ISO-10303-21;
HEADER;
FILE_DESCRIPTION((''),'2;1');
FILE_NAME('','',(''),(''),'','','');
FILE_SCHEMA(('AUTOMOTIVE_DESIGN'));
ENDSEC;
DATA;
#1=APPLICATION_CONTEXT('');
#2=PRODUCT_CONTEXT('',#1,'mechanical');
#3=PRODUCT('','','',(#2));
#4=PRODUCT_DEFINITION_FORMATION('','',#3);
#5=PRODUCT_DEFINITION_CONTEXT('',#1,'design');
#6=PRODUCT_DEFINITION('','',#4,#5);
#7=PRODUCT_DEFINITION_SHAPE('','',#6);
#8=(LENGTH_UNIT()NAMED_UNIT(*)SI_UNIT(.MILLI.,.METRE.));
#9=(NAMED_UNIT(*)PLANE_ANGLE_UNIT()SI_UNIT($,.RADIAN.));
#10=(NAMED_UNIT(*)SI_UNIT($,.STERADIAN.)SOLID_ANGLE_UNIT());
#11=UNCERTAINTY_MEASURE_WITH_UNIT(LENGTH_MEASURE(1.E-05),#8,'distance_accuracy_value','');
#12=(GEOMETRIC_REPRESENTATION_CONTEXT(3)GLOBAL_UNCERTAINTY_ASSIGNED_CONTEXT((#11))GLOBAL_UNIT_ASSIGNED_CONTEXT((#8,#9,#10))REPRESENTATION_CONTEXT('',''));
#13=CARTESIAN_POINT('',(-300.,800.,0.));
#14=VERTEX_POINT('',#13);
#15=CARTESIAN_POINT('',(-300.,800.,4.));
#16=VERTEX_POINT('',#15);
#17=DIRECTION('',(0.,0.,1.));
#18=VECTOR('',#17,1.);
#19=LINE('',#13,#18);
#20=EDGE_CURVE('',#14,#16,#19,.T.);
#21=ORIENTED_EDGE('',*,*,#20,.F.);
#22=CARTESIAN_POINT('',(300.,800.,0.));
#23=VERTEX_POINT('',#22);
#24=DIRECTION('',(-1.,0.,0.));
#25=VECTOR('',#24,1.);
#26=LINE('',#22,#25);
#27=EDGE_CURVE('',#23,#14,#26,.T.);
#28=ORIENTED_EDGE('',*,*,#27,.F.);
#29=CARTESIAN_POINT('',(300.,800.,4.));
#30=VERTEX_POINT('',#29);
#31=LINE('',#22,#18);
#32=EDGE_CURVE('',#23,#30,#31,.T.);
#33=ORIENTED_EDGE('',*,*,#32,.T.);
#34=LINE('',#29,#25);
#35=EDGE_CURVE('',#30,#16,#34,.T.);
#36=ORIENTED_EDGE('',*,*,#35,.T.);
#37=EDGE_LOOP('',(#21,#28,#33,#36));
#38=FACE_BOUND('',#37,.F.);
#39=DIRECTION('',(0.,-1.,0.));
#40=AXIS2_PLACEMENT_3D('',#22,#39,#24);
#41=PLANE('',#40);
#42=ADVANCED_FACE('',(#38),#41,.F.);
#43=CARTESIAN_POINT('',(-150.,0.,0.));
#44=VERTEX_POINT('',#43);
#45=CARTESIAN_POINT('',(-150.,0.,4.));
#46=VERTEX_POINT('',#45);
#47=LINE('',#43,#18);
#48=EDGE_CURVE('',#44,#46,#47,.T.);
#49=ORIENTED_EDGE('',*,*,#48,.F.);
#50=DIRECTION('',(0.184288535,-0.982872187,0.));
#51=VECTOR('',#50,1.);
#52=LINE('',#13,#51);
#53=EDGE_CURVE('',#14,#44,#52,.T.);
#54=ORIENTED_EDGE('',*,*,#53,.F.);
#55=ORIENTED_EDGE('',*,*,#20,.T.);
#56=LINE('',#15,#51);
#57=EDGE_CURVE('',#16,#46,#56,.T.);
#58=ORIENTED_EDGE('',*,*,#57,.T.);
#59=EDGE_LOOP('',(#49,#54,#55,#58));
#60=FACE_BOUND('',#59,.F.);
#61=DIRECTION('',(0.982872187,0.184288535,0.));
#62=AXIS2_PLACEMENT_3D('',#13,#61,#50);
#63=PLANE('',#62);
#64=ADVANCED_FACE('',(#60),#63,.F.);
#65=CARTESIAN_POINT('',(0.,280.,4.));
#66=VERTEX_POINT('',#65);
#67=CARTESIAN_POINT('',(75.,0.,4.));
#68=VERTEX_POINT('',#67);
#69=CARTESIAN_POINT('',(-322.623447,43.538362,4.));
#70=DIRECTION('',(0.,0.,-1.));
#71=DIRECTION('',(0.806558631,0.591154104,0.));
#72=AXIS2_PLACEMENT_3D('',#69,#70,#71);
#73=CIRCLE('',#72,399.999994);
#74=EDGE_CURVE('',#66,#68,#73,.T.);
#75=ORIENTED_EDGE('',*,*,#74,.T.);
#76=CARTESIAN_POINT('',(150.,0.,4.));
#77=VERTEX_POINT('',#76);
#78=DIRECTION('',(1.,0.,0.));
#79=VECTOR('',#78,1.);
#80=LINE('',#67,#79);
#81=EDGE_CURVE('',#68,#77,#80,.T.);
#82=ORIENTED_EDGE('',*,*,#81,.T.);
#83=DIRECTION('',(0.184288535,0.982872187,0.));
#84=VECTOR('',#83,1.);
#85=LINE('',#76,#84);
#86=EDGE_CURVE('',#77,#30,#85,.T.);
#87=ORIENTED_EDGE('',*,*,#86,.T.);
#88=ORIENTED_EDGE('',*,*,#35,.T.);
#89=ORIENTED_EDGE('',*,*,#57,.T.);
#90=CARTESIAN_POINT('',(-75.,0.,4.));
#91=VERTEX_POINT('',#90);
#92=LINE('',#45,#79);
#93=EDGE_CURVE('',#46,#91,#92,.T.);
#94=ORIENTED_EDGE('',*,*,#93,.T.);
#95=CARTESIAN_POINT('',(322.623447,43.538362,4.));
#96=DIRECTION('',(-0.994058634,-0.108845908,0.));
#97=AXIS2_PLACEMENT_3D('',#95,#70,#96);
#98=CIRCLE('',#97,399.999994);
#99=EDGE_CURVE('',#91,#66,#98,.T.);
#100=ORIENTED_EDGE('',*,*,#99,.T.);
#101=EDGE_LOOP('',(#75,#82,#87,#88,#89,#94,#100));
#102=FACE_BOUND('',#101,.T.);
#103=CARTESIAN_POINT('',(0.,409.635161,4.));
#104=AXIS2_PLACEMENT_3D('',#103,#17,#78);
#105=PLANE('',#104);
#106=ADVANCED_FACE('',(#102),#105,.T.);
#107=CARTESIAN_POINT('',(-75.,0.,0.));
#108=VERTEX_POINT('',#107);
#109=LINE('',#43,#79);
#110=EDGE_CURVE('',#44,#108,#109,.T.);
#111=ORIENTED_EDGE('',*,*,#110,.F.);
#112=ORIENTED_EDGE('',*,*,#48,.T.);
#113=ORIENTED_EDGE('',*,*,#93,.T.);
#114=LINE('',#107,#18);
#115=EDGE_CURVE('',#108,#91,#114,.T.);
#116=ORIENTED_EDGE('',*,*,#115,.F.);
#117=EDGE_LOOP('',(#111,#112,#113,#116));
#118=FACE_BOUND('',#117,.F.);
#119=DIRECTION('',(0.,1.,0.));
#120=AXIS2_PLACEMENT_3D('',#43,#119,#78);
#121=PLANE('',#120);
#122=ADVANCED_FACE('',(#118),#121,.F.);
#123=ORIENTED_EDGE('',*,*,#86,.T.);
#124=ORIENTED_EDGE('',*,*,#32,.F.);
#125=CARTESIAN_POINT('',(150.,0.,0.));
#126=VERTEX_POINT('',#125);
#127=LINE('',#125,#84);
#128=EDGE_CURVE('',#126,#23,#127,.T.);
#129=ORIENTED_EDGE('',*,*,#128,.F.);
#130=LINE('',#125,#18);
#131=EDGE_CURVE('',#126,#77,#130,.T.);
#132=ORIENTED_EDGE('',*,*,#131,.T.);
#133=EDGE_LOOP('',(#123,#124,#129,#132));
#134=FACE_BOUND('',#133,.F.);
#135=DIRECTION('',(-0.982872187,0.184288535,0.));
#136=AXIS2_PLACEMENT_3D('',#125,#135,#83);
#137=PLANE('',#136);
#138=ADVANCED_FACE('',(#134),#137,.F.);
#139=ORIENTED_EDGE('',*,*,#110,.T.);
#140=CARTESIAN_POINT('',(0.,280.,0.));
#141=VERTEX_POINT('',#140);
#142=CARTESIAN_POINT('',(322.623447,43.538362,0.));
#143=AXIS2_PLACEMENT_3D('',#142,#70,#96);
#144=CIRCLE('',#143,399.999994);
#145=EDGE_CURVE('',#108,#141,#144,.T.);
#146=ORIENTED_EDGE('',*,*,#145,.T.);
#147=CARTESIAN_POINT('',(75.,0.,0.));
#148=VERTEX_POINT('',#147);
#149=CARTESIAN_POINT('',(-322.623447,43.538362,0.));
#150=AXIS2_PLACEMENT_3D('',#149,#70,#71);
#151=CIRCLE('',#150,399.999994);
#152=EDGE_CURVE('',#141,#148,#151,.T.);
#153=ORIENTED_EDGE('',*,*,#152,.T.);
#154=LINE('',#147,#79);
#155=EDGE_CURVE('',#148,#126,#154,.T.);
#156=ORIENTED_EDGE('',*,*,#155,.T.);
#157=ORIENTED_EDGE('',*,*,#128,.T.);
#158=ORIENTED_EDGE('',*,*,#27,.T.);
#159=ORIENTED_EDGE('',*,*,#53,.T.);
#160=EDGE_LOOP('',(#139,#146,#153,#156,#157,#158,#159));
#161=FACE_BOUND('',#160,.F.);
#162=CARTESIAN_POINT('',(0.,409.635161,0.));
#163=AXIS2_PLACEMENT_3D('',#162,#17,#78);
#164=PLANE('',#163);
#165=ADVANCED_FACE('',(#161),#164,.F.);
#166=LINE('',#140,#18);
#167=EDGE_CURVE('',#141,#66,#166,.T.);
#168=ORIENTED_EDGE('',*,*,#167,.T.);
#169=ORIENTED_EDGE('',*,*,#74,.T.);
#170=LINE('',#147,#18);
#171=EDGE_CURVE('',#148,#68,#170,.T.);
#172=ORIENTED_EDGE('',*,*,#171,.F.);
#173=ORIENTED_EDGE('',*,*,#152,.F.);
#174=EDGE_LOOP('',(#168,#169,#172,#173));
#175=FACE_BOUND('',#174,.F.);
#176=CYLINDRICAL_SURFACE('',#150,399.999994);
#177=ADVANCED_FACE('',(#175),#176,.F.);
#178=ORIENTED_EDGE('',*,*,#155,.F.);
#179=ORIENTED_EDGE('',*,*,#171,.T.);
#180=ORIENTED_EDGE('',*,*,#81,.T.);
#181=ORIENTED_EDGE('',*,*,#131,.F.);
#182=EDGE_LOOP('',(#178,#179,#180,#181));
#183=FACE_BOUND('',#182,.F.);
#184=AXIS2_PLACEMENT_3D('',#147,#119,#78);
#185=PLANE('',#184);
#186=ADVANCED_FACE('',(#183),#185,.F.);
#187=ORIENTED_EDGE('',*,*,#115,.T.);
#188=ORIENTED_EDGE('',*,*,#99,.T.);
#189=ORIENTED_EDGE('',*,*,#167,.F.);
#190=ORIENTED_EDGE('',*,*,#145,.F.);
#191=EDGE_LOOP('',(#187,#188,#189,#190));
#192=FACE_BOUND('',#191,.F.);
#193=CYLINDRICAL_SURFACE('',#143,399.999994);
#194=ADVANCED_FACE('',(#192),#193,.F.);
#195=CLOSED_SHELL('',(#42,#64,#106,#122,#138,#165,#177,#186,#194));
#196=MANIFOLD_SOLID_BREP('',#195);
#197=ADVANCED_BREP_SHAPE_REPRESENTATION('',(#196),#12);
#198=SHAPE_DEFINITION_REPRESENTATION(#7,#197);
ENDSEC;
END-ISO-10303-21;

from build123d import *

# Parameters (mm, degrees)
F1_DEPTH = 4


with BuildPart() as f1:
    # F0 (on Top) → F1 (new body)
    with BuildSketch(Plane.XY):
        with BuildLine():
            ThreePointArc((0, 280), (63.755767, 147.032795), (75, 0))
            Line((75, 0), (150, 0))
            Line((150, 0), (300, 800))
            Line((300, 800), (-300, 800))
            Line((-300, 800), (-150, 0))
            Line((-150, 0), (-75, 0))
            ThreePointArc((-75, 0), (-63.755767, 147.032795), (0, 280))
        make_face()
    extrude(amount=F1_DEPTH)


solid = f1.part
